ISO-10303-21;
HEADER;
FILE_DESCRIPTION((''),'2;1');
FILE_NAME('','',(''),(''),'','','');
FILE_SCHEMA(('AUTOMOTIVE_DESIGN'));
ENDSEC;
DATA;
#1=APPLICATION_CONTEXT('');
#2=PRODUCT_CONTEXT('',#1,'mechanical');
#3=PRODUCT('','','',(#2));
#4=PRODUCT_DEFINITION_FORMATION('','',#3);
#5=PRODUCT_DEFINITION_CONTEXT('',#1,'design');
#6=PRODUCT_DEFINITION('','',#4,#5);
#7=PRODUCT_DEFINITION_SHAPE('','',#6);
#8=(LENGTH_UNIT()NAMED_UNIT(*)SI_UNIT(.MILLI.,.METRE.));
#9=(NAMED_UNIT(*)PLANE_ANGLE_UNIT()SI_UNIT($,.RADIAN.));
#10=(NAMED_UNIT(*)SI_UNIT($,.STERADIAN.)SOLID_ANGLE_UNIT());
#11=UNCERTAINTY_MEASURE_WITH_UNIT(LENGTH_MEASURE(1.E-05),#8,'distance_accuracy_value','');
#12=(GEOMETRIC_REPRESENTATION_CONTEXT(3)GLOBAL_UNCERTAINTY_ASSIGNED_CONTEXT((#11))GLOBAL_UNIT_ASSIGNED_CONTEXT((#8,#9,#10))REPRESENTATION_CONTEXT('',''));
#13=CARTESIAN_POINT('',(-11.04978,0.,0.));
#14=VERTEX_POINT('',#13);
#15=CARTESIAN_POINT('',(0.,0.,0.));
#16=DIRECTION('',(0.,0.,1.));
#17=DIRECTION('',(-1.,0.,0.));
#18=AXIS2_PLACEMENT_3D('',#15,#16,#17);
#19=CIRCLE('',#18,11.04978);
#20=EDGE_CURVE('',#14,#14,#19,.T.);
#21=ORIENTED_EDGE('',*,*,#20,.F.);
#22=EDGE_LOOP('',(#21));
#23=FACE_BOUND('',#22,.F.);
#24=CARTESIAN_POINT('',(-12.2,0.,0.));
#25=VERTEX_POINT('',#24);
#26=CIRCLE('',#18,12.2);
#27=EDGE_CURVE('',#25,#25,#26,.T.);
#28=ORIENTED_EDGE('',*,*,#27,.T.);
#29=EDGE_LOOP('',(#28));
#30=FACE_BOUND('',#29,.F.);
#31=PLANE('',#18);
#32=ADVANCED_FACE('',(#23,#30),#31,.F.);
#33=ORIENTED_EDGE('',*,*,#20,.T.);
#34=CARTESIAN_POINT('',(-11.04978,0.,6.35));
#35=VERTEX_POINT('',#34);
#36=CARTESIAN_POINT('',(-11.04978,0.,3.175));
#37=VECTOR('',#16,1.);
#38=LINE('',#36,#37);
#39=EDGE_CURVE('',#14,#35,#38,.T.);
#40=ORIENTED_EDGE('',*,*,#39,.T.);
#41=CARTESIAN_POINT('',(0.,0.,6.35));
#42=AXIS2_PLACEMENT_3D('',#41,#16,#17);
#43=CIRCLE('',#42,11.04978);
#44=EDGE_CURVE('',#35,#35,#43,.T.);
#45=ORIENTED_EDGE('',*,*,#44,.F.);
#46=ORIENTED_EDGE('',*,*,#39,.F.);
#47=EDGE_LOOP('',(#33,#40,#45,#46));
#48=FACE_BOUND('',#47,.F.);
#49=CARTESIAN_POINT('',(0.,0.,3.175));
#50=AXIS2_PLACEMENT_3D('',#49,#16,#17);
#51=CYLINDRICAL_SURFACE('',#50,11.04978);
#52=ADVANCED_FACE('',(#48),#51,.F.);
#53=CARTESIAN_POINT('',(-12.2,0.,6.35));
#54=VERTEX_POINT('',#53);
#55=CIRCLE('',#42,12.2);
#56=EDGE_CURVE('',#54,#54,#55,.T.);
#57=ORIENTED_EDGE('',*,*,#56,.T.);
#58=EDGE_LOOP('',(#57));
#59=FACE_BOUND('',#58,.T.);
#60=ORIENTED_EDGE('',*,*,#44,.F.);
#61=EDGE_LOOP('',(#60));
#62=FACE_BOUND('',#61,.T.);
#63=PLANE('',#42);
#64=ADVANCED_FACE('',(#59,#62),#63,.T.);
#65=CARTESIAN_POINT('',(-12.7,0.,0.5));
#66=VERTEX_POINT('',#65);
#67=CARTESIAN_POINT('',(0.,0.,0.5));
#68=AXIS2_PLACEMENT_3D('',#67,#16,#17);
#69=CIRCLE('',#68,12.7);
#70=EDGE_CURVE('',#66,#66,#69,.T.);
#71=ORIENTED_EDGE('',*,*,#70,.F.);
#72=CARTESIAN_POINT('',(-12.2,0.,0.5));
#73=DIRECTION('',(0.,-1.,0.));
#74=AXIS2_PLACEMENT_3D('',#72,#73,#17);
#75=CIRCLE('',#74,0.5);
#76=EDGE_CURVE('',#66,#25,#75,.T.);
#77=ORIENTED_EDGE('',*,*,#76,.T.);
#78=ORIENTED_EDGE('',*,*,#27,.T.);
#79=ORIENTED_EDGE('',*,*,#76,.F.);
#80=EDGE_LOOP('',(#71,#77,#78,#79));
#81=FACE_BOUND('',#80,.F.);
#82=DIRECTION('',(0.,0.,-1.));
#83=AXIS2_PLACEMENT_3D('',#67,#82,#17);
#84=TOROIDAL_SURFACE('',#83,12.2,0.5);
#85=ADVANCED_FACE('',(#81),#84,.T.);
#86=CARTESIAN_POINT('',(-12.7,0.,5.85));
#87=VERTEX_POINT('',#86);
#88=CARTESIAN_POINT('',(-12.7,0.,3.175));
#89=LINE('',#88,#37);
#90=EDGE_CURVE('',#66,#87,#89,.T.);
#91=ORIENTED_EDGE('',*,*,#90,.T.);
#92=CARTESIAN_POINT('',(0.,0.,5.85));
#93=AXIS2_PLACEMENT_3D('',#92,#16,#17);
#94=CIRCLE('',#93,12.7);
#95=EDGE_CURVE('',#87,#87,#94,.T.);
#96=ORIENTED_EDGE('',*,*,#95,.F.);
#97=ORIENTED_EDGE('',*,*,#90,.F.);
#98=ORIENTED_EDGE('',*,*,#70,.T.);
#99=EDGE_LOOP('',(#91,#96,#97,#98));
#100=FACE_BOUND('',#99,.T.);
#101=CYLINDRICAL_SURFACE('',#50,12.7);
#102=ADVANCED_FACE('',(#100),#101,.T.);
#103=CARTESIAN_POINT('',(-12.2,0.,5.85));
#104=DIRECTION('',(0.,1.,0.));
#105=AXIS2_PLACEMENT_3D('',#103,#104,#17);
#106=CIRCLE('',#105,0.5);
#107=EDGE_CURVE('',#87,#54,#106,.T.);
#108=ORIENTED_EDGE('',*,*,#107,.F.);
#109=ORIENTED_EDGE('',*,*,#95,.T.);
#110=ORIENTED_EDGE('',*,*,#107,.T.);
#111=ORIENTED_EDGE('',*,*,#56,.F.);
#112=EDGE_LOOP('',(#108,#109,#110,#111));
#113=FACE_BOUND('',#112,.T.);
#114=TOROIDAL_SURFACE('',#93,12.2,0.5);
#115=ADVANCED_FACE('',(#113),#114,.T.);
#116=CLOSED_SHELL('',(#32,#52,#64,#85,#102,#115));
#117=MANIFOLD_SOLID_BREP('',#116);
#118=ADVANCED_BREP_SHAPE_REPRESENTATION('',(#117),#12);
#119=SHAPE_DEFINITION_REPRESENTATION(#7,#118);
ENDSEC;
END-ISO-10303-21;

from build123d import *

# Parameters (mm, degrees)
F0_W = 1.65022
F0_H = 6.35
F2_R = 0.5


with BuildPart() as f1:
    # F0 (on Front) → F1 (revolve)
    with BuildSketch(Plane.XZ):
        with Locations((-11.87489, 3.175)):
            Rectangle(F0_W, F0_H)
    revolve(axis=Axis((0, 0, 3.175), (0, 0, 1)))

    # F2
    f2_edges = [f1.edges().sort_by_distance(p)[0] for p in [
        (12.7, 0, 6.35),
        (12.7, 0, 0),
    ]]
    fillet(f2_edges, radius=F2_R)


solid = f1.part
